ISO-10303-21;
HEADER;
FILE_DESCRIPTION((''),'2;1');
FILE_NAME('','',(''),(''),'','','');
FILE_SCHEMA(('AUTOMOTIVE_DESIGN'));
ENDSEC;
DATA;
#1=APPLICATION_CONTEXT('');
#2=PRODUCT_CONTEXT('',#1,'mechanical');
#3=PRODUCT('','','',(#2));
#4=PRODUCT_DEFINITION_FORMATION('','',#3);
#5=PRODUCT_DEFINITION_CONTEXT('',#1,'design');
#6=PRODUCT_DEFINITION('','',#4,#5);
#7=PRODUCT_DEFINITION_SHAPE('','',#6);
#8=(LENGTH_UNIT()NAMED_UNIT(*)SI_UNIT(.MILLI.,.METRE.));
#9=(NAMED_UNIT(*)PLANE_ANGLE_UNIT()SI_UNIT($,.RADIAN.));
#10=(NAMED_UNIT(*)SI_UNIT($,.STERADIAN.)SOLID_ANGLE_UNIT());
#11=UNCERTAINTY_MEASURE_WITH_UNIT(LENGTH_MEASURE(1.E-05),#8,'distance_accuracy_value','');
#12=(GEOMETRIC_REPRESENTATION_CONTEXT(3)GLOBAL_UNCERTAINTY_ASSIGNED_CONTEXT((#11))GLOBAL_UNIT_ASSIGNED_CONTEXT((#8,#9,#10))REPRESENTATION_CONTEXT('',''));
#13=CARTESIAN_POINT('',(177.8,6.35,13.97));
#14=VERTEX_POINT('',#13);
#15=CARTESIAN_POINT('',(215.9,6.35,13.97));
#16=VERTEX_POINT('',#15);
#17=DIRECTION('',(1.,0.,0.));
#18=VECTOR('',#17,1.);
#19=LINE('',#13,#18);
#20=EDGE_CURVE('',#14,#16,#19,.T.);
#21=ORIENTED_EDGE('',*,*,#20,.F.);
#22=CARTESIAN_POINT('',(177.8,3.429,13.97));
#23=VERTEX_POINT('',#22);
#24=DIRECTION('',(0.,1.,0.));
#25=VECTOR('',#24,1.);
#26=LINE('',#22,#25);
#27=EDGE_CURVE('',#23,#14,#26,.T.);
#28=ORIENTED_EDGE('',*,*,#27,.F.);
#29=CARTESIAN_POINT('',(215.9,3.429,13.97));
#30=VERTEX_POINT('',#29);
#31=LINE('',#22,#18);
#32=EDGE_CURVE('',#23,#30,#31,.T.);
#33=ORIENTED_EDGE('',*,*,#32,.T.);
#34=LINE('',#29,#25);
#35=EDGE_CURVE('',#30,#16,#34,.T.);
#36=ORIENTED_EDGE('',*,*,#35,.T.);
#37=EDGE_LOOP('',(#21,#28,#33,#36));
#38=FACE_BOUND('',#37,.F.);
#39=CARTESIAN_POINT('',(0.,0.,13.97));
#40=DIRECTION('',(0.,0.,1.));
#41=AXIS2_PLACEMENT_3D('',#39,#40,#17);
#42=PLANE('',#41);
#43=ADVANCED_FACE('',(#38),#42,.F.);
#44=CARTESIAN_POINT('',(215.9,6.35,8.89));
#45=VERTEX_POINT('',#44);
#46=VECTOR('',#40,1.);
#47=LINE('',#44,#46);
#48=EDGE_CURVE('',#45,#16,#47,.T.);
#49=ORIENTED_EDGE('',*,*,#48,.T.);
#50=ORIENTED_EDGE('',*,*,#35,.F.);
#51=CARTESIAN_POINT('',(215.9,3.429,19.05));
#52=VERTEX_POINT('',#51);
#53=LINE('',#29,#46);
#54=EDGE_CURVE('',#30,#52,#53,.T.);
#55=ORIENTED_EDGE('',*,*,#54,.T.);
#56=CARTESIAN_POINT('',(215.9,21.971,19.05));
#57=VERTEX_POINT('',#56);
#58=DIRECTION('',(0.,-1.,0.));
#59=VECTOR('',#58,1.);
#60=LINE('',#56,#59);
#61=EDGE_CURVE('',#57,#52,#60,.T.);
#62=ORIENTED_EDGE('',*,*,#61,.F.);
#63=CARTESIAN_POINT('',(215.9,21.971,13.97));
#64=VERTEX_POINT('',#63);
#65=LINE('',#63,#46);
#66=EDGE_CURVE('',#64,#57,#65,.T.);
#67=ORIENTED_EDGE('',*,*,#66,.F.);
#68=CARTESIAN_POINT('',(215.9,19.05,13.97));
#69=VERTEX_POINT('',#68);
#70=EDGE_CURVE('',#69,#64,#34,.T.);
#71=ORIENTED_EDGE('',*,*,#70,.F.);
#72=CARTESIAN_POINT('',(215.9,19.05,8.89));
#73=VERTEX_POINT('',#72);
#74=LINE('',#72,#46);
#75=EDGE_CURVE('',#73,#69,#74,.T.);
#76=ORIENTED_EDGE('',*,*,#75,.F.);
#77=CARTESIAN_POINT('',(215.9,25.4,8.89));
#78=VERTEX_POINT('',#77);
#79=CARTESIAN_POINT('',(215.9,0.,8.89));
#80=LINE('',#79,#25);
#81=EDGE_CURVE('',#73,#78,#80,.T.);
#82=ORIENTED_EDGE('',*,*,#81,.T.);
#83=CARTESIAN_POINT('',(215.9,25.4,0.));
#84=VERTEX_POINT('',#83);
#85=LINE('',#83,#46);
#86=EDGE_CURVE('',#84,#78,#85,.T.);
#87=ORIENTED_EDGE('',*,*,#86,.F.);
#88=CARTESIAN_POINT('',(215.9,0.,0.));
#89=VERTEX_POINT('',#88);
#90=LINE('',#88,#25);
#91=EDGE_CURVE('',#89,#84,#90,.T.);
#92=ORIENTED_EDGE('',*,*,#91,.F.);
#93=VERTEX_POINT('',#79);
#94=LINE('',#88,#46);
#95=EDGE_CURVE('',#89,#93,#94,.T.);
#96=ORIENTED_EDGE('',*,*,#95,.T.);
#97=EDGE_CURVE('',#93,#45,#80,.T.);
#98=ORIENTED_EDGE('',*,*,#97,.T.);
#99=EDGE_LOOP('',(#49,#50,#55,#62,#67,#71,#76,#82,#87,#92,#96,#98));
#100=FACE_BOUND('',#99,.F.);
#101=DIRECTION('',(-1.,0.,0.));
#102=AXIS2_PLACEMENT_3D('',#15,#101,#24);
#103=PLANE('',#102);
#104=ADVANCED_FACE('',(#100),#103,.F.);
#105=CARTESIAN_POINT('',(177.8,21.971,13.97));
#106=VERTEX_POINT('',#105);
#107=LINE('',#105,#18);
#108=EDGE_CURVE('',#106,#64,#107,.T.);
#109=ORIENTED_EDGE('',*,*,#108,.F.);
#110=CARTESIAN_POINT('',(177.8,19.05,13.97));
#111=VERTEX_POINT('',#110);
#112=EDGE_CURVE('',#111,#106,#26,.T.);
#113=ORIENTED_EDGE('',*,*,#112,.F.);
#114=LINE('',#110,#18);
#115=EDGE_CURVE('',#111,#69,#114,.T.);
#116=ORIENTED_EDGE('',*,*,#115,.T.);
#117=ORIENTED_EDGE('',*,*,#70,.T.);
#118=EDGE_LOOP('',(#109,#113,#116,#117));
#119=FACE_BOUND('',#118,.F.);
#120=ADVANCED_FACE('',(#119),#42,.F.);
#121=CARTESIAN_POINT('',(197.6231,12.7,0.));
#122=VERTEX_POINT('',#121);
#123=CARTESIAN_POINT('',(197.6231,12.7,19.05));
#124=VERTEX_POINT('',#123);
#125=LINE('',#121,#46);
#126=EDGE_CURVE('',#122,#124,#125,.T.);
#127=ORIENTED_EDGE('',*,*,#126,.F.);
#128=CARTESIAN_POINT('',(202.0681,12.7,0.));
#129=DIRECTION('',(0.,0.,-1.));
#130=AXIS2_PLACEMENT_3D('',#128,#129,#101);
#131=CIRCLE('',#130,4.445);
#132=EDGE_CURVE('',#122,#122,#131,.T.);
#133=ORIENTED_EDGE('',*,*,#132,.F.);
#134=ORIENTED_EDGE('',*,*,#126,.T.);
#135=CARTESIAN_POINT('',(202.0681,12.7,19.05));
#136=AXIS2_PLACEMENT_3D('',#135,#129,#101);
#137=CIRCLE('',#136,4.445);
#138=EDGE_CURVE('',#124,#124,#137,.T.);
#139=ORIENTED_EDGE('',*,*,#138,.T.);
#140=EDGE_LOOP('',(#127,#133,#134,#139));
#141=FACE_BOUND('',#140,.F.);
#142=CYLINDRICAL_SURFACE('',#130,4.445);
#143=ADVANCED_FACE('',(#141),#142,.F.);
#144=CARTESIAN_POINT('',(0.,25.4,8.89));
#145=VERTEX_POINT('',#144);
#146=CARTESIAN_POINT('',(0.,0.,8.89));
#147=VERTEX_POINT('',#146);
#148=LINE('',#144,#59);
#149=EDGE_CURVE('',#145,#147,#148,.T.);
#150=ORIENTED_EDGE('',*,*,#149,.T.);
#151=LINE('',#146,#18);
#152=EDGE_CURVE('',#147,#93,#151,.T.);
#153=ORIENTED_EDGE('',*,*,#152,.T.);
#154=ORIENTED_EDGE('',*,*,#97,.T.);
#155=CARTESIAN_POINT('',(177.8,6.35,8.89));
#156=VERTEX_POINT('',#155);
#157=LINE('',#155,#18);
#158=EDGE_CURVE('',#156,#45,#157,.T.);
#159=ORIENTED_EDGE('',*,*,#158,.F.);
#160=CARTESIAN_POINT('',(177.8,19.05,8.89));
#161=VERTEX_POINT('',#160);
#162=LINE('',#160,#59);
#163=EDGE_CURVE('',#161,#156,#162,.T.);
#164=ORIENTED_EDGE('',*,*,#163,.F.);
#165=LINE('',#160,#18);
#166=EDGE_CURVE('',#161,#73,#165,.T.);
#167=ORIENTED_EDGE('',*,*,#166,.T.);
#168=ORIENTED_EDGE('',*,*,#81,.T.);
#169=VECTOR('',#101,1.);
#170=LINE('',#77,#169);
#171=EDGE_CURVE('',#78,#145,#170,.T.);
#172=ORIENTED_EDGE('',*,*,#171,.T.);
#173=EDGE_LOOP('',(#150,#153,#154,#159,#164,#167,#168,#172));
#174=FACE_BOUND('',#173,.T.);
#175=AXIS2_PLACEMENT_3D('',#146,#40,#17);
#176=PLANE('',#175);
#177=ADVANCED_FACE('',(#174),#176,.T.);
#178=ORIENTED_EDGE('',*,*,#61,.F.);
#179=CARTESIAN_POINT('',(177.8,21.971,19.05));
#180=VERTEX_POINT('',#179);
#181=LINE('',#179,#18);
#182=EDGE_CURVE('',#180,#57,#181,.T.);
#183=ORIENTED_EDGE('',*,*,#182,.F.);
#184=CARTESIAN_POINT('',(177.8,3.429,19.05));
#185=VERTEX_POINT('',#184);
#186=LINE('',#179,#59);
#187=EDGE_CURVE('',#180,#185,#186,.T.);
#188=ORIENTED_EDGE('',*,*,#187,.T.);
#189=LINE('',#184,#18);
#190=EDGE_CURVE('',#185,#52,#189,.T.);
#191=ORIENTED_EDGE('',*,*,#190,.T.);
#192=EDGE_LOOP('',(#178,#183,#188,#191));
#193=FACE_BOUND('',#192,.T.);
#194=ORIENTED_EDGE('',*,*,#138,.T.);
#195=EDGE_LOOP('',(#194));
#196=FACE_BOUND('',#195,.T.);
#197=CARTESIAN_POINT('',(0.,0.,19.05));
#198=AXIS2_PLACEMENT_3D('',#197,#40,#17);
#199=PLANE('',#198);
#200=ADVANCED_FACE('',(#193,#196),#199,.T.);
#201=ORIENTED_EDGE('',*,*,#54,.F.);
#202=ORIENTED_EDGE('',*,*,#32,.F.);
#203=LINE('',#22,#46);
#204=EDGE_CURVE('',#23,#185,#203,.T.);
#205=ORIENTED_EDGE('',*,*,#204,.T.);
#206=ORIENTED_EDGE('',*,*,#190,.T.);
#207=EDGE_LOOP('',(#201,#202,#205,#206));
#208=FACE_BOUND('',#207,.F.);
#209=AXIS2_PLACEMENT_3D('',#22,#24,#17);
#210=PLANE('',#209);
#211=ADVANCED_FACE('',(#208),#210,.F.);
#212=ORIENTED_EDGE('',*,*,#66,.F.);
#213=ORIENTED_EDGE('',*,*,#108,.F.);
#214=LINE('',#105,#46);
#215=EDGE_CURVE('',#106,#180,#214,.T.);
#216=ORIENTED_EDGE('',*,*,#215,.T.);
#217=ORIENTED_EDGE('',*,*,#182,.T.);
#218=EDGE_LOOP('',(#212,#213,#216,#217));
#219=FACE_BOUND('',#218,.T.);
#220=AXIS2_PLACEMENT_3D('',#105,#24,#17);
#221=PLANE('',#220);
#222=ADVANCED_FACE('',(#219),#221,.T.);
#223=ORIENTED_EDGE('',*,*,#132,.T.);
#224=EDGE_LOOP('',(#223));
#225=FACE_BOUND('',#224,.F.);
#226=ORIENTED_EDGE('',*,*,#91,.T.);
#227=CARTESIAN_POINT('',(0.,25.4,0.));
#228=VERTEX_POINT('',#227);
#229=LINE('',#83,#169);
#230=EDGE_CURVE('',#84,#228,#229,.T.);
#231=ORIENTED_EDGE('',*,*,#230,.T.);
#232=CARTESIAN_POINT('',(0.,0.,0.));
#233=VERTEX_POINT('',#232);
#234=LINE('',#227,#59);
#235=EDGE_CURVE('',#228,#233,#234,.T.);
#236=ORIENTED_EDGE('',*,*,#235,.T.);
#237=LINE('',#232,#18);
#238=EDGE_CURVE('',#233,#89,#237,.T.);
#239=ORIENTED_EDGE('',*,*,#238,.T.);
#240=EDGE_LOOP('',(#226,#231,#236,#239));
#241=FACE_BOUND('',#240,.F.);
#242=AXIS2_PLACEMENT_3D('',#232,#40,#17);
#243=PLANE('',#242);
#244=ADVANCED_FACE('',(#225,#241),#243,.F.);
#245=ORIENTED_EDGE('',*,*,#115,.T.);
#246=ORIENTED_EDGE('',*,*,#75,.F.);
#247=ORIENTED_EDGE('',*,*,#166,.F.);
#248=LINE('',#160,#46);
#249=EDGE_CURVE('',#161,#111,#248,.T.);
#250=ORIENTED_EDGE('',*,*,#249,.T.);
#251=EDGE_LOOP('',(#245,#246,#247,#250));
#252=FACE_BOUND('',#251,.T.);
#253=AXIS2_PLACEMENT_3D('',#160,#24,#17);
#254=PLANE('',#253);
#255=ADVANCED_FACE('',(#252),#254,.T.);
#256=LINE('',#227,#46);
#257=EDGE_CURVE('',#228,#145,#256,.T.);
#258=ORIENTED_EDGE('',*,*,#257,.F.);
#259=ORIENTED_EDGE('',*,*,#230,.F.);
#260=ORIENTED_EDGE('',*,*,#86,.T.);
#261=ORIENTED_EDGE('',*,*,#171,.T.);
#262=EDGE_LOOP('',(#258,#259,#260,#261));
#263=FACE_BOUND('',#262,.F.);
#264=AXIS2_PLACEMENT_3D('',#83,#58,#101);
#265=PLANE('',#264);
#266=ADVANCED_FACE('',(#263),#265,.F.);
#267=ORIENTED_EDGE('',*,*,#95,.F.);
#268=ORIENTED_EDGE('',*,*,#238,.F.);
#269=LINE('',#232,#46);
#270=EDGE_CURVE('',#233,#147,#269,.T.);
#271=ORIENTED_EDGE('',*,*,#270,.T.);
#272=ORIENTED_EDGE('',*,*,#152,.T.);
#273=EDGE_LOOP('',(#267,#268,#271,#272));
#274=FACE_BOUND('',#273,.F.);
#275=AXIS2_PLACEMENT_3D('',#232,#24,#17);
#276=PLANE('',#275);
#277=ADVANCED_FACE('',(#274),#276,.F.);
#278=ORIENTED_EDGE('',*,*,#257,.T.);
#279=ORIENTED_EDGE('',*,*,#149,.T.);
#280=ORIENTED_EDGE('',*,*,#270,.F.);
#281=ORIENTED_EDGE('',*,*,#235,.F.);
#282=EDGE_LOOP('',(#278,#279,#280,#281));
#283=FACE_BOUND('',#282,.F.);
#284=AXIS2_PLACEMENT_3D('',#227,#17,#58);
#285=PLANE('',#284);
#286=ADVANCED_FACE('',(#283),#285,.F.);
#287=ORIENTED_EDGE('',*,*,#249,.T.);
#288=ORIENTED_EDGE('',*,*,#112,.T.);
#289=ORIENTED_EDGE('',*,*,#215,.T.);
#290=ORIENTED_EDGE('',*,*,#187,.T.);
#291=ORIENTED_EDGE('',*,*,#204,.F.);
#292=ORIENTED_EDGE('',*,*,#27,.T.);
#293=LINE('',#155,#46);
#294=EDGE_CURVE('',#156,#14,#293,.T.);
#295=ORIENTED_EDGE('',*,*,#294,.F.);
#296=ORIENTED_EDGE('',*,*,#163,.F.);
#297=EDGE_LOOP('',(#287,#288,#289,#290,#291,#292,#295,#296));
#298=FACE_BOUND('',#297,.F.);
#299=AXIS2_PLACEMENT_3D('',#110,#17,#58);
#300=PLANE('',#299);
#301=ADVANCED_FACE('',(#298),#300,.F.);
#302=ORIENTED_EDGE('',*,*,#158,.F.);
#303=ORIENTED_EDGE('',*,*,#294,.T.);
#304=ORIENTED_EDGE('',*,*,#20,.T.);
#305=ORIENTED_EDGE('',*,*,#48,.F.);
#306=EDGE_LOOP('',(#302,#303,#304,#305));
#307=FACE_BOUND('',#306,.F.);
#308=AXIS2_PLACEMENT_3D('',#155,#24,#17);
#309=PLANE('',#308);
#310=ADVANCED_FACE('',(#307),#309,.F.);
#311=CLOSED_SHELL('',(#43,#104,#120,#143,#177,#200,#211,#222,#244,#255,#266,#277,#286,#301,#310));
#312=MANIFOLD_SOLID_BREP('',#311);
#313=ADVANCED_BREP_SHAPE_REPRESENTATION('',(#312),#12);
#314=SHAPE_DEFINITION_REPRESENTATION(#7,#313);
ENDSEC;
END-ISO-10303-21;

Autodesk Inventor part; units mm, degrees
ref_plane "YZ Plane" through (0, 0, 0) normal (1, 0, 0) x (0, 1, 0)
ref_plane "XZ Plane" through (0, 0, 0) normal (0, 1, 0) x (-1, 0, 0)
ref_plane "XY Plane" through (0, 0, 0) normal (0, 0, 1) x (1, 0, 0)
sketch "Sketch1" plane through (0, 0, 0) normal (0, 0, 1) x (1, 0, 0)
  line L0 (0, 0) -> (215.9, 0)
  line L1 (215.9, 0) -> (215.9, 25.4)
  line L2 (215.9, 25.4) -> (0, 25.4)
  line L3 (0, 25.4) -> (0, 0)
  dimension "d0" = 215.9
  dimension "d1" = 25.4
extrude "Extrusion1" add sketch "Sketch1" along normal blind 8.89
sketch "Sketch2" plane through (0, 0, 8.89) normal (0, 0, 1) x (1, 0, 0)
  line L0 (0, 0) -> (215.9, 0) projected
  line L1 (215.9, 0) -> (215.9, 25.4) projected
  line L2 (215.9, 25.4) -> (177.8, 25.4)
  line L3 (177.8, 25.4) -> (177.8, 0)
  line L4 (177.8, 0) -> (215.9, 0)
  line L5 (215.9, 0) -> (215.9, 25.4)
  line L6 (215.9, 25.4) -> (177.8, 25.4)
  line L7 (177.8, 25.4) -> (177.8, 12.7)
  line L8 (177.8, 12.7) -> (215.9, 12.7)
  line L9 (215.9, 12.7) -> (215.9, 25.4)
  line L10 (215.9, 25.4) -> (177.8, 25.4)
  line L11 (177.8, 25.4) -> (177.8, 19.05)
  line L12 (177.8, 19.05) -> (215.9, 19.05)
  line L13 (215.9, 19.05) -> (215.9, 25.4)
  line L14 (215.9, 0) -> (177.8, 0)
  line L15 (177.8, 0) -> (177.8, 6.35)
  line L16 (177.8, 6.35) -> (215.9, 6.35)
  line L17 (215.9, 6.35) -> (215.9, 0)
  dimension "d4" = 6.35
  dimension "d5" = 38.1
extrude "Extrusion2" add sketch "Sketch2" along normal blind 5.08 contours L3 L8 L1 L16 | L3 L12 L1 L8
sketch "Sketch3" plane through (0, 0, 13.97) normal (0, 0, 1) x (1, 0, 0)
  line L0 (215.9, 19.05) -> (177.8, 19.05) projected
  line L1 (177.8, 19.05) -> (177.8, 6.35) projected
  line L2 (177.8, 6.35) -> (215.9, 6.35)
  line L3 (215.9, 6.35) -> (215.9, 19.05)
  line L4 (215.9, 19.05) -> (177.8, 19.05)
  line L5 (177.8, 19.05) -> (177.8, 6.35)
  line L6 (215.9, 19.05) -> (177.8, 19.05)
  line L7 (177.8, 19.05) -> (177.8, 21.971)
  line L8 (177.8, 21.971) -> (215.9, 21.971)
  line L9 (215.9, 21.971) -> (215.9, 19.05)
  line L10 (215.9, 6.35) -> (177.8, 6.35)
  line L11 (177.8, 6.35) -> (177.8, 3.429)
  line L12 (177.8, 3.429) -> (215.9, 3.429)
  line L13 (215.9, 3.429) -> (215.9, 6.35)
  point P0 (0, 0)
  dimension "d8" = 2.921
  dimension "d9" = 2.921
extrude "Extrusion3" add sketch "Sketch3" along normal blind 5.08
sketch "Sketch4" plane through (0, 0, 0) normal (0, 0, -1) x (-1, 0, 0)
  circle A0 centre (-202.0681, 12.7) radius 4.445
  dimension "d12" = 8.89
extrude "Extrusion4" cut sketch "Sketch4" against normal blind 127
properties part number "Piece One-" material "Steel"
